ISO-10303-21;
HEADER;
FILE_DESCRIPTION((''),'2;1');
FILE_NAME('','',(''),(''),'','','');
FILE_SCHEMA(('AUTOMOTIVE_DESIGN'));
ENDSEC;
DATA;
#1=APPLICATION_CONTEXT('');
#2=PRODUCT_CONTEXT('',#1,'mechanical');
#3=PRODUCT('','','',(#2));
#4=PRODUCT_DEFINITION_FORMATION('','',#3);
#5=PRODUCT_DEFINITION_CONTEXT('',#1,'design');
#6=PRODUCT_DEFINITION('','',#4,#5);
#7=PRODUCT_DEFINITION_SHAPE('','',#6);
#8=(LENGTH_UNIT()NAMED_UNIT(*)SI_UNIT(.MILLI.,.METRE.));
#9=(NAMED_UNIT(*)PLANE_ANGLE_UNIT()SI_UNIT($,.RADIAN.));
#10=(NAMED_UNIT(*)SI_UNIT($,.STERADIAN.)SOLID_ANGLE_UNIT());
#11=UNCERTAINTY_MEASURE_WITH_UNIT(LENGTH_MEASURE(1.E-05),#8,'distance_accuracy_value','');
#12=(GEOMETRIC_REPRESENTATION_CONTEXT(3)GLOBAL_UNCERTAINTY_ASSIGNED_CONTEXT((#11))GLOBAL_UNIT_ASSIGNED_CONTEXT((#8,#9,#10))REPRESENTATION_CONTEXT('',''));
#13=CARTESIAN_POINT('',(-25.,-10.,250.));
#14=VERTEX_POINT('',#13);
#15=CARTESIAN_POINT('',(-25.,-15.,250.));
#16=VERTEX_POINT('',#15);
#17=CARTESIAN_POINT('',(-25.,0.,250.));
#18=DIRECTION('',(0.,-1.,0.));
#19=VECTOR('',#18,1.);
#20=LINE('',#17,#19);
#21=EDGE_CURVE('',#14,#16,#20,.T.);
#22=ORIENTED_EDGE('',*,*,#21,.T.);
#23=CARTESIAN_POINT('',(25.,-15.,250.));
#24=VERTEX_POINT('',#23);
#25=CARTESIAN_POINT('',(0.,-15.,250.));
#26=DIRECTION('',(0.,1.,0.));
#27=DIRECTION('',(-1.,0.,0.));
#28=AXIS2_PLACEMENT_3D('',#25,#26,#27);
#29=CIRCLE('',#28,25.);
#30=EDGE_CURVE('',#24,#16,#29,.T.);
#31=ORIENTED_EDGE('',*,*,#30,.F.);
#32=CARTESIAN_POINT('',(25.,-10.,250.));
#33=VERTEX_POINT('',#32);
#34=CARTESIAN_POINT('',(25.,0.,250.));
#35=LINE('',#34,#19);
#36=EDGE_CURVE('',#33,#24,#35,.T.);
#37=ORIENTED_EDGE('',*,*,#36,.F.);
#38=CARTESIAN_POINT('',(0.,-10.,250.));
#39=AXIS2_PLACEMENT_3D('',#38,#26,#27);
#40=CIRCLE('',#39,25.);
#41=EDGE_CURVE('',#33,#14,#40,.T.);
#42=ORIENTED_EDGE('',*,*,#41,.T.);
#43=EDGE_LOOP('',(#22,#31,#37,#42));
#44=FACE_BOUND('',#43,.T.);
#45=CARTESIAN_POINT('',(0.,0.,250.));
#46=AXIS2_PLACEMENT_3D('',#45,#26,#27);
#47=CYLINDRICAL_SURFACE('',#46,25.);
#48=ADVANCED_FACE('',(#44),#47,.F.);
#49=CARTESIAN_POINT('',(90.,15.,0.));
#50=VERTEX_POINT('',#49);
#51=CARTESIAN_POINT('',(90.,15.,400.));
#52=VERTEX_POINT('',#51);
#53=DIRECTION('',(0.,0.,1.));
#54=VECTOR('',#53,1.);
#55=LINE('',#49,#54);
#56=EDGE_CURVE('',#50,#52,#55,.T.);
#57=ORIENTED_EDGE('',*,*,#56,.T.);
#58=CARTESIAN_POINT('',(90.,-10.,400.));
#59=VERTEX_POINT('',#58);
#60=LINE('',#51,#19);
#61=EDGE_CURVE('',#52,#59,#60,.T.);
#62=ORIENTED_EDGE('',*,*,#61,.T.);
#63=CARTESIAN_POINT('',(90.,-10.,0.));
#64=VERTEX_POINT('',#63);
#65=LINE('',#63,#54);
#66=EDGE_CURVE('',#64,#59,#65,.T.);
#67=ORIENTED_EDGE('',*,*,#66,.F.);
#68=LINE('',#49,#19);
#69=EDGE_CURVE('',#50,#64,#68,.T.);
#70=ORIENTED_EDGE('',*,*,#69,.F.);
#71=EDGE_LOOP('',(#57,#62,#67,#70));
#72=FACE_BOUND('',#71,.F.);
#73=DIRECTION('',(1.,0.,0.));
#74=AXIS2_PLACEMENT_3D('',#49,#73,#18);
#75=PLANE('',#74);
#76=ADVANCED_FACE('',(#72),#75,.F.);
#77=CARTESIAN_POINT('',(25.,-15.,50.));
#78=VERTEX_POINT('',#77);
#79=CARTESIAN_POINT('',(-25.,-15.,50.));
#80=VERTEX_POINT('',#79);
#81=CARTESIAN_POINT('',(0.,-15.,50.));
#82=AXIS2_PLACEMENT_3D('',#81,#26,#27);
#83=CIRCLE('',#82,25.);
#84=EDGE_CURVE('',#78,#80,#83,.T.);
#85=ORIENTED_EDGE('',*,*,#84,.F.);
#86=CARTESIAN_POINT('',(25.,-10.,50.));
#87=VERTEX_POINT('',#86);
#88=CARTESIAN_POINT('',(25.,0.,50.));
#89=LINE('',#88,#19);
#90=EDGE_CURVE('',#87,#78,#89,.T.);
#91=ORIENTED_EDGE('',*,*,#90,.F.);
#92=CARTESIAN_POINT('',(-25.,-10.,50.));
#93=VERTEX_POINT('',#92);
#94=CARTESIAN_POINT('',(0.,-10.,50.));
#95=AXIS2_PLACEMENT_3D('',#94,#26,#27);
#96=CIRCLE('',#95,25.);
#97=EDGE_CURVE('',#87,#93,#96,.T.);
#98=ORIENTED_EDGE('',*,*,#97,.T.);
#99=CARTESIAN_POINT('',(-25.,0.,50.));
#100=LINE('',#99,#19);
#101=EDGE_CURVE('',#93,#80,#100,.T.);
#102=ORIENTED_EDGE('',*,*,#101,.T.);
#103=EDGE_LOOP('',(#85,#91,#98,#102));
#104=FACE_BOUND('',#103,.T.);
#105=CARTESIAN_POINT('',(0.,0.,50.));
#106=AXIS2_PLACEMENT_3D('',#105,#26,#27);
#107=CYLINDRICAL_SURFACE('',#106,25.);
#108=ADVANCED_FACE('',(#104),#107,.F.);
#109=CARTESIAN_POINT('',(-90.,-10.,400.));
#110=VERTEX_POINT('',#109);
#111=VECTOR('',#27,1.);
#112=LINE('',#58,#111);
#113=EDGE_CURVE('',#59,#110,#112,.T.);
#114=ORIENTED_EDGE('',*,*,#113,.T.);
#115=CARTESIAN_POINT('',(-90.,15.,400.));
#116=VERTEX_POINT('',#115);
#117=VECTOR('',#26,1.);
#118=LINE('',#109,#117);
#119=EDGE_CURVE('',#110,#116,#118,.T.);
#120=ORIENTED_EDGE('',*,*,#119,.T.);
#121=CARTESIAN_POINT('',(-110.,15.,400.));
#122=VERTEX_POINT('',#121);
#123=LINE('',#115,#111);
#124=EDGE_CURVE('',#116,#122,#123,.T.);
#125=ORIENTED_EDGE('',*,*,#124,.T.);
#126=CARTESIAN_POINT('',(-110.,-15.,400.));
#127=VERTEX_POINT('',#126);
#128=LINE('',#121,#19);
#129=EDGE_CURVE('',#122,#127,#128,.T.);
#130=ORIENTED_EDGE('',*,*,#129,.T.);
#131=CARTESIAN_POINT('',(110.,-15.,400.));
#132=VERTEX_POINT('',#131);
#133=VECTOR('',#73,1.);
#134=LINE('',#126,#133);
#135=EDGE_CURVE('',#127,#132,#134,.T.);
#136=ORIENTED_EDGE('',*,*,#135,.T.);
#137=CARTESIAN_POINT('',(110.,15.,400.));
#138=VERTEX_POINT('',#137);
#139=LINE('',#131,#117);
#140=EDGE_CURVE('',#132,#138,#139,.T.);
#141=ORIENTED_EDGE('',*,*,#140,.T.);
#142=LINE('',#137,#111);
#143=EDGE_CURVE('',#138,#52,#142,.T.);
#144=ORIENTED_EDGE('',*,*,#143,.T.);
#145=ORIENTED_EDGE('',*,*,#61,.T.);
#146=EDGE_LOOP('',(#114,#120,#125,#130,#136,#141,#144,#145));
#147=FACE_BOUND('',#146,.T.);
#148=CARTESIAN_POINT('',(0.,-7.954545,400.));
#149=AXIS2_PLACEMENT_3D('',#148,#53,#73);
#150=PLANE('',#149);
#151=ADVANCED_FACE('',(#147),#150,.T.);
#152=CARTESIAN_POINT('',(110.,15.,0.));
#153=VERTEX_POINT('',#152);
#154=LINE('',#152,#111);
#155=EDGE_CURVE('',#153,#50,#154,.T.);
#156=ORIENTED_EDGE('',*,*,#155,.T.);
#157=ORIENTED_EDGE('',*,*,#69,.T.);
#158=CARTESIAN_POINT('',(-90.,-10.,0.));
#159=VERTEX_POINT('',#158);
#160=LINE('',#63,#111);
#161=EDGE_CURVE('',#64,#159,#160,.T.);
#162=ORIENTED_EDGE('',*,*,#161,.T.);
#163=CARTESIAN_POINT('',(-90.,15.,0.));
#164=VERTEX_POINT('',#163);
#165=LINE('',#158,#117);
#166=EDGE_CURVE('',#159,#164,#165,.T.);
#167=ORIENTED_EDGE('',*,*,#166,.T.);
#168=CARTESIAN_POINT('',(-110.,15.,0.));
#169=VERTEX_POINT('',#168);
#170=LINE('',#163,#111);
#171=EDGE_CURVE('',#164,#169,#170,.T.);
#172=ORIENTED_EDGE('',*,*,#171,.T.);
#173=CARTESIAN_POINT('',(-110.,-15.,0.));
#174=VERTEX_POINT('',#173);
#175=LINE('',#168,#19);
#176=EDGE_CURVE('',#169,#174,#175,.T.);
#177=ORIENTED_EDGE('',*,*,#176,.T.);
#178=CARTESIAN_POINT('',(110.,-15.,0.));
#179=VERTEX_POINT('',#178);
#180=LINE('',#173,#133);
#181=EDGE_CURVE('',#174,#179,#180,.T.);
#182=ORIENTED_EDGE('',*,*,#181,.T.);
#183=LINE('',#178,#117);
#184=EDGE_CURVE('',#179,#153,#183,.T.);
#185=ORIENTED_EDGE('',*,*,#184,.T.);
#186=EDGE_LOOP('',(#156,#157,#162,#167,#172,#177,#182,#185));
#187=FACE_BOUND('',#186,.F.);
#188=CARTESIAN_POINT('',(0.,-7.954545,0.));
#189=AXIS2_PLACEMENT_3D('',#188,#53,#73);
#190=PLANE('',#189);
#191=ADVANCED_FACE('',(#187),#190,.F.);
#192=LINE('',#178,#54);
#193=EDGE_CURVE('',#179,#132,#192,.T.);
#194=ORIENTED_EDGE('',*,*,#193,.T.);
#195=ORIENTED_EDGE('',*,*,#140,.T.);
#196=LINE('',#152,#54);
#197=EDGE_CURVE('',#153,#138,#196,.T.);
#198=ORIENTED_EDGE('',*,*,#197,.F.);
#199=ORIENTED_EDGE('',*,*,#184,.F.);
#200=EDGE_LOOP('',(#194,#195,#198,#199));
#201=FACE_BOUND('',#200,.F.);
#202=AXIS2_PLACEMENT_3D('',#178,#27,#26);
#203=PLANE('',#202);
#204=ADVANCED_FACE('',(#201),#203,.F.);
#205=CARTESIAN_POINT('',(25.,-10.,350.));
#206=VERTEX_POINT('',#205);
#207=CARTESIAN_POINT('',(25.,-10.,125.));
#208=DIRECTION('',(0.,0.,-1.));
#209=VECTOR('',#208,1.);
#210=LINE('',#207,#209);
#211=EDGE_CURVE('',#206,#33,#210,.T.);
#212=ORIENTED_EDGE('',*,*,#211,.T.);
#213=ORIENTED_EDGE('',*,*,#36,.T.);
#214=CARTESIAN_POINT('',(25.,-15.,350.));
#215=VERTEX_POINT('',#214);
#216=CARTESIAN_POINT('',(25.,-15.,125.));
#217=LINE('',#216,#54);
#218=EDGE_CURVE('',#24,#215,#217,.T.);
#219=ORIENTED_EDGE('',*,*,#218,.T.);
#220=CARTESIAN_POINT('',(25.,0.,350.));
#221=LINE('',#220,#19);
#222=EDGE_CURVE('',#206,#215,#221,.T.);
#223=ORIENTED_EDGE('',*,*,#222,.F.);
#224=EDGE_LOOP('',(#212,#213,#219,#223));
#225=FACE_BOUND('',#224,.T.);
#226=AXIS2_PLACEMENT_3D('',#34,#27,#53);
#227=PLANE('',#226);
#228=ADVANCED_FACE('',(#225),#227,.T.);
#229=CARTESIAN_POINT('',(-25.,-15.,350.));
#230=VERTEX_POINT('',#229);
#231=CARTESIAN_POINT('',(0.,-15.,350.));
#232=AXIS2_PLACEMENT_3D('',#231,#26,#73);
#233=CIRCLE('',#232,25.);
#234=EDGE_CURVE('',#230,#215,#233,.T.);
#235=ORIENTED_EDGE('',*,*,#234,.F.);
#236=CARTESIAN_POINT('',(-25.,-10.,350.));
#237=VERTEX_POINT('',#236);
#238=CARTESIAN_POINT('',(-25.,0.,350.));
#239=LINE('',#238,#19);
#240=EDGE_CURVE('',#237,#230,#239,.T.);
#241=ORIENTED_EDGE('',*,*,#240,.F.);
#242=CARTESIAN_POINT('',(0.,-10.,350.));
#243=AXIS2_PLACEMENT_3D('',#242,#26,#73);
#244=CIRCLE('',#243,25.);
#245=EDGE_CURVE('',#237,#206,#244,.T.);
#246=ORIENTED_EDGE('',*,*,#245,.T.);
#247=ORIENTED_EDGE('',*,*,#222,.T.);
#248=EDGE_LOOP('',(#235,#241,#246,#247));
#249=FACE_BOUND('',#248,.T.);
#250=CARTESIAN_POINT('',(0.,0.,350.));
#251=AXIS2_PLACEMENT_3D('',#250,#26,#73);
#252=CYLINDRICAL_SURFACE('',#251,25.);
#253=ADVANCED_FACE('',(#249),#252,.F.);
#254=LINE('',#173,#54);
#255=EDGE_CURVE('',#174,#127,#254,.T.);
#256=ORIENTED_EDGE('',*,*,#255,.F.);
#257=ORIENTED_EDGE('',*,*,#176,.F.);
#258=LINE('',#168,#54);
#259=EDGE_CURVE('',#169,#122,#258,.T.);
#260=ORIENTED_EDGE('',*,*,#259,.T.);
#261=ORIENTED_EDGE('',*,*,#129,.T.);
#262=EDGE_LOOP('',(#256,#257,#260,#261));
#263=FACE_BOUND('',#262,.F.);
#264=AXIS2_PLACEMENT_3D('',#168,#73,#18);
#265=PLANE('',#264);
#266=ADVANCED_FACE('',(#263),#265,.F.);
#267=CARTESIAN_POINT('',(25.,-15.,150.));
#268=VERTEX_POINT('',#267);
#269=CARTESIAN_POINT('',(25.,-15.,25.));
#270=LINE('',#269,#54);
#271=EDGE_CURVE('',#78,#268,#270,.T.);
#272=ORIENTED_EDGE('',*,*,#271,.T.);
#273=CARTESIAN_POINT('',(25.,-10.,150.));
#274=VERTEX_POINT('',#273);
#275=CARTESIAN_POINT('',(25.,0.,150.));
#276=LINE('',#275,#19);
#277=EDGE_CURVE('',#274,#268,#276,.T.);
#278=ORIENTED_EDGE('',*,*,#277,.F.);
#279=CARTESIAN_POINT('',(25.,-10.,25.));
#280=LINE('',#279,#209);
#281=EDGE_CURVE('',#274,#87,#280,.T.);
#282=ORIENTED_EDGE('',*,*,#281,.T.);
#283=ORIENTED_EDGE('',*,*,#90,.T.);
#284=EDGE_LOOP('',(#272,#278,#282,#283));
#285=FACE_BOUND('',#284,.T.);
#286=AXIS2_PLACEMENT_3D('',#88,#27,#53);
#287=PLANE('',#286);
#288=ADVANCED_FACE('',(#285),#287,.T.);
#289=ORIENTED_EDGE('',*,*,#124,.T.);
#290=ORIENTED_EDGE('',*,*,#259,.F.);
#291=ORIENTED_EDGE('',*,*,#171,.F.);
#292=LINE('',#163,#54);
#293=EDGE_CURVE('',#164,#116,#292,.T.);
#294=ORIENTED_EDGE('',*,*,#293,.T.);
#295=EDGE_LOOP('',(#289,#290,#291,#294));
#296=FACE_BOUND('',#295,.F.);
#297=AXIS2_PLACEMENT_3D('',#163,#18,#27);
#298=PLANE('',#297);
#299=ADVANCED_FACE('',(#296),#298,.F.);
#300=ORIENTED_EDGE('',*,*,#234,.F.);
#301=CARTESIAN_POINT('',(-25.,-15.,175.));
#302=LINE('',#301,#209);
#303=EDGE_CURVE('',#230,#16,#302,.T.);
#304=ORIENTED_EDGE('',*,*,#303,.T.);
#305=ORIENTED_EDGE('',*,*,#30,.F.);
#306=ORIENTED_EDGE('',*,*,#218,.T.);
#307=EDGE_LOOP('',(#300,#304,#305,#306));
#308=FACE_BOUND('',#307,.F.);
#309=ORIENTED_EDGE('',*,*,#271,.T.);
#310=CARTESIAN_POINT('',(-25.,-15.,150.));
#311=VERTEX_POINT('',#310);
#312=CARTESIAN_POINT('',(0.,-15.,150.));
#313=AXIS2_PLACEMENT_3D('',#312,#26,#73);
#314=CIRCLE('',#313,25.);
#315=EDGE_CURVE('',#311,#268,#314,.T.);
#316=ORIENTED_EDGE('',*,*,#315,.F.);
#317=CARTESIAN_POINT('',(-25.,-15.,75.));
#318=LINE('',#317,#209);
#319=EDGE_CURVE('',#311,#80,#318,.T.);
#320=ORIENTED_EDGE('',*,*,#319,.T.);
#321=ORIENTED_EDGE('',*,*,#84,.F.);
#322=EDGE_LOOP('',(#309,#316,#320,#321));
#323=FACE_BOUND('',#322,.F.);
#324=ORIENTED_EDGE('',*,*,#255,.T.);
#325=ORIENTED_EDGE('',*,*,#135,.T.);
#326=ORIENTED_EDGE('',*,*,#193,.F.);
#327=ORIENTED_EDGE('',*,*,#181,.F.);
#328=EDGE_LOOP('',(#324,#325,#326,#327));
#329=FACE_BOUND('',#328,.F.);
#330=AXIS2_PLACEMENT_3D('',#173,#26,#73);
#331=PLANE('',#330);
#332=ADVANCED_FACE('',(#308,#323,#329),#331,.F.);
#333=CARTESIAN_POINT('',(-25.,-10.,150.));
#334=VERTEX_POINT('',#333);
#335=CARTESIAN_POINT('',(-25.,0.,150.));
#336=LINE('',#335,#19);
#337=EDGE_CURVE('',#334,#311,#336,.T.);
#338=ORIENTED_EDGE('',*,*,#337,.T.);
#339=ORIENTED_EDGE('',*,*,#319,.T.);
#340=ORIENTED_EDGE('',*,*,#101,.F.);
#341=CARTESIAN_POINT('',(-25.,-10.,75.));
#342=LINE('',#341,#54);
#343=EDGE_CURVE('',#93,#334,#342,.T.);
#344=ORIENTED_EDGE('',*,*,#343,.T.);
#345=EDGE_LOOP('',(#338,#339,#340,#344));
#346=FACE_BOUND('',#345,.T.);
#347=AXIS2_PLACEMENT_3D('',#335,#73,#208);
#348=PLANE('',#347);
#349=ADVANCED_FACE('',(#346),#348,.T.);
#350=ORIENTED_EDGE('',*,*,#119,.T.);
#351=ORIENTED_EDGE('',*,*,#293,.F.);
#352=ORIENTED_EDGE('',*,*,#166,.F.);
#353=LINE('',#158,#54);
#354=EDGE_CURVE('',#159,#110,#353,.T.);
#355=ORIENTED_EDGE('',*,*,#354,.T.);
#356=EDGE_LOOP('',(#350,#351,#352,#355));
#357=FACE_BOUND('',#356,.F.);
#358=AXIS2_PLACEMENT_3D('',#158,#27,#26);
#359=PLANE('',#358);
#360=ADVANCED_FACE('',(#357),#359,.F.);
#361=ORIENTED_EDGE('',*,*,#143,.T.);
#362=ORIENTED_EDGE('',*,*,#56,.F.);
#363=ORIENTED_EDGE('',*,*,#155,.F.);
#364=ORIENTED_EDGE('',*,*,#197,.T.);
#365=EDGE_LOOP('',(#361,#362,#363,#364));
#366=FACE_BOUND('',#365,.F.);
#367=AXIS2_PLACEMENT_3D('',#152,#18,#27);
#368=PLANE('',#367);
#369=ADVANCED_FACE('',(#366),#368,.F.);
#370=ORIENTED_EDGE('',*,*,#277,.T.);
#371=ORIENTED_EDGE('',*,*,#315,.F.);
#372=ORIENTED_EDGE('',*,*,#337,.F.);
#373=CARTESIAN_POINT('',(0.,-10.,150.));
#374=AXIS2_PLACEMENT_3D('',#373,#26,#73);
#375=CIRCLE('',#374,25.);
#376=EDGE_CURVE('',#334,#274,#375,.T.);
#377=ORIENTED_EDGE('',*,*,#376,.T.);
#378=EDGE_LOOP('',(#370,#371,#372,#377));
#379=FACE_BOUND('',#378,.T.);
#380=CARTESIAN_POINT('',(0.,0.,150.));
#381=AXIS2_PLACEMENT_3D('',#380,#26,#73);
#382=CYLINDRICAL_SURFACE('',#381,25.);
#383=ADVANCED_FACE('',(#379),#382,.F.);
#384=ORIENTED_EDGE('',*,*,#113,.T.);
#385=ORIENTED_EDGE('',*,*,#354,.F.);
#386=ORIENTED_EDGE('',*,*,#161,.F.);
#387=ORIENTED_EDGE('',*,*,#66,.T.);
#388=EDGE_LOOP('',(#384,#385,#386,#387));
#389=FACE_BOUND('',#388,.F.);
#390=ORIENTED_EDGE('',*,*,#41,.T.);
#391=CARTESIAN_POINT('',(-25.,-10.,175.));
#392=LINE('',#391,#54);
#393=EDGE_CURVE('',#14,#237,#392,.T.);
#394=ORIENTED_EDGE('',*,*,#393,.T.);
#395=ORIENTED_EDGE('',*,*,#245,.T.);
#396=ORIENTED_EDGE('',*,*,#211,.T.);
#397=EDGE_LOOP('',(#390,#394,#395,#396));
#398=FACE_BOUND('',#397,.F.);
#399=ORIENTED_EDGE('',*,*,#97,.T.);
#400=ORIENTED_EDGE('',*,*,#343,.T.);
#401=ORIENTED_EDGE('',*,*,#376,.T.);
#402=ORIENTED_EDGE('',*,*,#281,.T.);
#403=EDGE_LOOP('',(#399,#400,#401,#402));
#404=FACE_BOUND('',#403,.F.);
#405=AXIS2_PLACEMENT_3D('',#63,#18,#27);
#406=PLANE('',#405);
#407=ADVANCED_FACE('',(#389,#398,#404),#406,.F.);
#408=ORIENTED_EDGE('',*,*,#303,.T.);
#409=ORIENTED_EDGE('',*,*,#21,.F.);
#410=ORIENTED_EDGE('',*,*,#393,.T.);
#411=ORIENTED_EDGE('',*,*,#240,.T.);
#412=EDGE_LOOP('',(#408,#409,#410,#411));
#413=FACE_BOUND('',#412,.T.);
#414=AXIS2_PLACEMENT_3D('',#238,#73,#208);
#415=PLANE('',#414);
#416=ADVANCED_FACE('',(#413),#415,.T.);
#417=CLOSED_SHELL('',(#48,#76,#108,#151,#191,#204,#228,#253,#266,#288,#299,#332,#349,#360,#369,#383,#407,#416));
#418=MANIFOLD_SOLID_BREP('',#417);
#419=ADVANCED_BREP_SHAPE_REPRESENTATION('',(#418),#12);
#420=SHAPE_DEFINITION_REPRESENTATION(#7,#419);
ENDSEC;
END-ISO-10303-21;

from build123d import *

# Parameters (mm, degrees)
F1_DEPTH = 400
F3_DEPTH = 25


with BuildPart() as f1:
    # F0 (on Top) → F1 (new body)
    with BuildSketch(Plane.XY):
        Polygon((-110, 15), (-110, -15), (110, -15), (110, 15), (90, 15), (90, -10), (-90, -10), (-90, 15), align=None)
    extrude(amount=F1_DEPTH)

    # F2 (on Front) → F3 (cut)
    with BuildSketch(Plane.XZ):
        with BuildLine():
            Line((-25, 350), (-25, 250))
            ThreePointArc((-25, 250), (0, 225), (25, 250))
            Line((25, 250), (25, 350))
            ThreePointArc((25, 350), (0, 375), (-25, 350))
        make_face()
        with BuildLine():
            Line((25, 50), (25, 150))
            ThreePointArc((25, 150), (0, 175), (-25, 150))
            Line((-25, 150), (-25, 50))
            ThreePointArc((-25, 50), (0, 25), (25, 50))
        make_face()
    extrude(amount=F3_DEPTH, mode=Mode.SUBTRACT)


solid = f1.part
